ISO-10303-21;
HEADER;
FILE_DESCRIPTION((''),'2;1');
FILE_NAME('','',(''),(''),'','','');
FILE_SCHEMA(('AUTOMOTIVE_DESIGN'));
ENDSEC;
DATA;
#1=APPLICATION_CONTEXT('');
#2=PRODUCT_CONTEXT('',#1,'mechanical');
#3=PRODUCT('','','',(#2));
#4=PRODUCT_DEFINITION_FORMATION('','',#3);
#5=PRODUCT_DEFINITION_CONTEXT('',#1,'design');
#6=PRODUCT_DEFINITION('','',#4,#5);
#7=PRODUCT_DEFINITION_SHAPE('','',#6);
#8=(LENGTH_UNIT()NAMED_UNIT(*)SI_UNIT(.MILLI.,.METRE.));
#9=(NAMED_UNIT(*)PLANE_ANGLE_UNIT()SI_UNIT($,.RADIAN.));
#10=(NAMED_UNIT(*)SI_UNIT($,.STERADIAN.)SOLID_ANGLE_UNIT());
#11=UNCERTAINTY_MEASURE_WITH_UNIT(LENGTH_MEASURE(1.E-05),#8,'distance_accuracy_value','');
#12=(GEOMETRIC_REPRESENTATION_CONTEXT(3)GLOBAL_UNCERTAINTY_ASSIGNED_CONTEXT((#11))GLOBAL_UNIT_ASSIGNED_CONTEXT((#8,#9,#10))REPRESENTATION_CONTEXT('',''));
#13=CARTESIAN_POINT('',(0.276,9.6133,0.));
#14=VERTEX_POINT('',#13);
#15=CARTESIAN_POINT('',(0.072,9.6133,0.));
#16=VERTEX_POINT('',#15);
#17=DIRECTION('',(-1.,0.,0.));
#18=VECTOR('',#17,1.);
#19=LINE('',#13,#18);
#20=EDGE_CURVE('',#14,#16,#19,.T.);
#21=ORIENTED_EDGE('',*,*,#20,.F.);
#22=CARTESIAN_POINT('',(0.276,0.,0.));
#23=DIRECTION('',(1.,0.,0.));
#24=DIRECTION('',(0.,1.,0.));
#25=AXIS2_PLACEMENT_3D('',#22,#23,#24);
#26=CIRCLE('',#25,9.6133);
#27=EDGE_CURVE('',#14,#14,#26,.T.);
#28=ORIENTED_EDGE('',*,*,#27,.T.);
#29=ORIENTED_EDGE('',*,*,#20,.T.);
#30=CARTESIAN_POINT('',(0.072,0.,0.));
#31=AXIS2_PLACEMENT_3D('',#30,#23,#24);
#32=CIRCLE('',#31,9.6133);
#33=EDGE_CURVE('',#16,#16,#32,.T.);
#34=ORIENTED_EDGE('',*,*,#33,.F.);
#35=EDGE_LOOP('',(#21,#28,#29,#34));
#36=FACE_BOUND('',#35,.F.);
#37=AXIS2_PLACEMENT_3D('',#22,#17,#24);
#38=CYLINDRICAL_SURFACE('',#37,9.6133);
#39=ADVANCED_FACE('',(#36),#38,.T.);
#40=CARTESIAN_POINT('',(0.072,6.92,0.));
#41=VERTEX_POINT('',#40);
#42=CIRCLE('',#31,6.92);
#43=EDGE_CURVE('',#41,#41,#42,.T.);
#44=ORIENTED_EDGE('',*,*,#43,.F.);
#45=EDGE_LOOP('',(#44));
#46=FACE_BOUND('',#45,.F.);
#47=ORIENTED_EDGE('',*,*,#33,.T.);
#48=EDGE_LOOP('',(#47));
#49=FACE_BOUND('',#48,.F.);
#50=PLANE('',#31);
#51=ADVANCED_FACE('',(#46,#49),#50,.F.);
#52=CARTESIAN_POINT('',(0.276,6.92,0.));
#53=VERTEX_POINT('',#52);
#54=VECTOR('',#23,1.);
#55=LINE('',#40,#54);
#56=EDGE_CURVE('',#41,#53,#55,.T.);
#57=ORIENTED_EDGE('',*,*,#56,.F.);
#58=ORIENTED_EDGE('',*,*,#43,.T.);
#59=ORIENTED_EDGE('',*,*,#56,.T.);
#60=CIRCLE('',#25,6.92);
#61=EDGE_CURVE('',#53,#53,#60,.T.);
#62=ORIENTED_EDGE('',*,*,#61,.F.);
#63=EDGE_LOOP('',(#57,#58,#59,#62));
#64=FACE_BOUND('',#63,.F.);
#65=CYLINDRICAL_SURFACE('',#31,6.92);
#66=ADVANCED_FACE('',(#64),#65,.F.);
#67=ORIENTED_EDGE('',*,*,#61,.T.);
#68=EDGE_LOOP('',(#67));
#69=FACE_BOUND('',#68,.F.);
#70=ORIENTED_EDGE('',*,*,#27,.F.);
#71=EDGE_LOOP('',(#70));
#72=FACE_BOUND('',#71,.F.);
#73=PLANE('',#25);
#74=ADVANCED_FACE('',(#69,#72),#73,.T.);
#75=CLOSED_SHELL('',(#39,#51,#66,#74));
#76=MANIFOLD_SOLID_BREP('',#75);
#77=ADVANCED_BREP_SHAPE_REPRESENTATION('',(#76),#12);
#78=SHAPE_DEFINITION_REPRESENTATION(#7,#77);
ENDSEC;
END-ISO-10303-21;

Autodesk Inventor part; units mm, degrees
sketch "Sketch_1" plane through (0, 0, 0) normal (0, 0, 1) x (1, 0, 0)
  line L0 (0.276, 0) -> (0.072, 0)
  line L1 (0.072, 9.6133) -> (0.072, 6.92)
  line L2 (0.072, 6.92) -> (0.276, 6.92)
  line L3 (0.276, 6.92) -> (0.276, 9.6133)
  line L4 (0.276, 9.6133) -> (0.072, 9.6133)
revolve "Revolution1" add sketch "Sketch_1" angle 360 about axis through (0.276, 0, 0) along (1, 0, 0)
ref_plane "dgbb_st_XY" through (0, 0, 0) normal (1, 0, 0) x (0, 0, -1)
ref_plane "dgbb_st_YZ" through (0, 0, 0) normal (0, 0, -1) x (0, 1, 0)
ref_plane "dgbb_st_ZX" through (0, 0, 0) normal (0, 1, 0) x (1, 0, 0)
properties part number "6900ZZst" material "鉄、鋳鉄"
